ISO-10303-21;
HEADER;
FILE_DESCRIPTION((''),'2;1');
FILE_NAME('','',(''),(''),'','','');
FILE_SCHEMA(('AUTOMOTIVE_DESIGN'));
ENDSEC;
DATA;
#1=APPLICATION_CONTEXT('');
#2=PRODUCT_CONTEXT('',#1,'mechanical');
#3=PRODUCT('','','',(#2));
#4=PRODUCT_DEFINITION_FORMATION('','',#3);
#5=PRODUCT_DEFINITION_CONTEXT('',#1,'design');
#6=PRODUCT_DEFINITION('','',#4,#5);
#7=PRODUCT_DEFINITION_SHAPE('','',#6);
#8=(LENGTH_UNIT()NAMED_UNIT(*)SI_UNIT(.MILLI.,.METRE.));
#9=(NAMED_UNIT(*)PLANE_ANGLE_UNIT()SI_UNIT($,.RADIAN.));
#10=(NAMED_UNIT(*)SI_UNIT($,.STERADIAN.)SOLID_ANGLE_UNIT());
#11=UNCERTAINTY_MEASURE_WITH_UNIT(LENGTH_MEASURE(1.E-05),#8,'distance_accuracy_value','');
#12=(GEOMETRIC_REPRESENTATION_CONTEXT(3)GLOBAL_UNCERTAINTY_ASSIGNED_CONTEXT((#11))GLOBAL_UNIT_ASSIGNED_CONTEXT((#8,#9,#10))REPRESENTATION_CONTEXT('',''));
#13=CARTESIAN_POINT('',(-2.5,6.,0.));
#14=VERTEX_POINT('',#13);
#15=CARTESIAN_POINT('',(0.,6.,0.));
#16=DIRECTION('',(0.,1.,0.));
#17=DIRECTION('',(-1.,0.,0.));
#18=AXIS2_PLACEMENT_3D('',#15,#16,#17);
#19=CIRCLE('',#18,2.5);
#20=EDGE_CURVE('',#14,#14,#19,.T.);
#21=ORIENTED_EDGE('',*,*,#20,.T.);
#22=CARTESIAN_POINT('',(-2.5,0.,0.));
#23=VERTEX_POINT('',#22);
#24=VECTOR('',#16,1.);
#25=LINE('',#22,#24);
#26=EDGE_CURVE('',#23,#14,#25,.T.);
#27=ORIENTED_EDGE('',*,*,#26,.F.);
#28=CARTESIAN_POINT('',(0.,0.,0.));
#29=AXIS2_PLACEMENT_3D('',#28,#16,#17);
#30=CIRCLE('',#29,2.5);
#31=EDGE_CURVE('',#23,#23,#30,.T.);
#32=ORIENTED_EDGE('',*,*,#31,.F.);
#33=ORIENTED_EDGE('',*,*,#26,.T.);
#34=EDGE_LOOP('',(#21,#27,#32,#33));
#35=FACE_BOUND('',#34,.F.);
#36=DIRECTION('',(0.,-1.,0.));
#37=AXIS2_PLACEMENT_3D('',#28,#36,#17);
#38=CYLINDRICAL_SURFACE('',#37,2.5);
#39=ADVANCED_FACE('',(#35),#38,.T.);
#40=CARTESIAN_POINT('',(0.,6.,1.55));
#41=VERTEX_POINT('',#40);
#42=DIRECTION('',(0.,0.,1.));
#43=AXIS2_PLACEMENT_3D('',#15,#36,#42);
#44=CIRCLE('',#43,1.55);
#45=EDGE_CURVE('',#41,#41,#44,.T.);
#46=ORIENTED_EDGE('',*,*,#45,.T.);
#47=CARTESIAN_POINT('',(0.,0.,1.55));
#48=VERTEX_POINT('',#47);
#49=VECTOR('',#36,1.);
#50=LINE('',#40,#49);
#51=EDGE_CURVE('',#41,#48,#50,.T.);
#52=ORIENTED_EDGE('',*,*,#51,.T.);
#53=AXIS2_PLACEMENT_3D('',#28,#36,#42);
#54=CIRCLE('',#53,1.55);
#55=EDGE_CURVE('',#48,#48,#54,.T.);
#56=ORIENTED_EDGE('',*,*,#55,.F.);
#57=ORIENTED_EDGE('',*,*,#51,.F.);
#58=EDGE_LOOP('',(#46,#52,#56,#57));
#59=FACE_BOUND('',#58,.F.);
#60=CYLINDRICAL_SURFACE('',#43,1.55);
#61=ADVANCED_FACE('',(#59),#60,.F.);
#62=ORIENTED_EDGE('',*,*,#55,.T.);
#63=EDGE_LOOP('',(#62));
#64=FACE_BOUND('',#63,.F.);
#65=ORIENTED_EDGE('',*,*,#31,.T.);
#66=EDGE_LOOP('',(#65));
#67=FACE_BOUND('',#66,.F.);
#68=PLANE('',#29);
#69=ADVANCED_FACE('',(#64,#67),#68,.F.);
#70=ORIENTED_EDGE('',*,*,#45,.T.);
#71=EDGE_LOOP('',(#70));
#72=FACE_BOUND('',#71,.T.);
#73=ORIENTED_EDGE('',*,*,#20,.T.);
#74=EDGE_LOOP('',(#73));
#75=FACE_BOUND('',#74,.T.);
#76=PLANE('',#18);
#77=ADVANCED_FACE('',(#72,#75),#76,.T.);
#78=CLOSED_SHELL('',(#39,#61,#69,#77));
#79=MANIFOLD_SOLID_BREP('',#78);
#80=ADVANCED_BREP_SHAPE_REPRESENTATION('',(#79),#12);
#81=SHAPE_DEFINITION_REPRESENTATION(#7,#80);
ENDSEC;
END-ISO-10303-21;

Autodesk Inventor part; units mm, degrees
ref_plane "YZ Plane" through (0, 0, 0) normal (1, 0, 0) x (0, 1, 0)
ref_plane "XZ Plane" through (0, 0, 0) normal (0, 1, 0) x (-1, 0, 0)
ref_plane "XY Plane" through (0, 0, 0) normal (0, 0, 1) x (1, 0, 0)
sketch "Sketch1" plane through (0, 0, 0) normal (0, 1, 0) x (-1, 0, 0)
  circle A0 centre (0, 0) radius 2.5
  dimension "d0" = 5
extrude "Extrusion1" add sketch "Sketch1" along normal blind 6
sketch "Sketch2" plane through (0, 6, 0) normal (0, 1, 0) x (1, 0, 0)
  point P0 (0, 0)
  point P1 (0, 0)
hole "Hole1" at (0, 6, 0) direction (0, -1, 0) diameter 3.1 end through all clearance for "Countersunk Flat Head Screw ISO 2009/7046" size "M2.5" standard "ISO"
properties part number "distance_medium"
